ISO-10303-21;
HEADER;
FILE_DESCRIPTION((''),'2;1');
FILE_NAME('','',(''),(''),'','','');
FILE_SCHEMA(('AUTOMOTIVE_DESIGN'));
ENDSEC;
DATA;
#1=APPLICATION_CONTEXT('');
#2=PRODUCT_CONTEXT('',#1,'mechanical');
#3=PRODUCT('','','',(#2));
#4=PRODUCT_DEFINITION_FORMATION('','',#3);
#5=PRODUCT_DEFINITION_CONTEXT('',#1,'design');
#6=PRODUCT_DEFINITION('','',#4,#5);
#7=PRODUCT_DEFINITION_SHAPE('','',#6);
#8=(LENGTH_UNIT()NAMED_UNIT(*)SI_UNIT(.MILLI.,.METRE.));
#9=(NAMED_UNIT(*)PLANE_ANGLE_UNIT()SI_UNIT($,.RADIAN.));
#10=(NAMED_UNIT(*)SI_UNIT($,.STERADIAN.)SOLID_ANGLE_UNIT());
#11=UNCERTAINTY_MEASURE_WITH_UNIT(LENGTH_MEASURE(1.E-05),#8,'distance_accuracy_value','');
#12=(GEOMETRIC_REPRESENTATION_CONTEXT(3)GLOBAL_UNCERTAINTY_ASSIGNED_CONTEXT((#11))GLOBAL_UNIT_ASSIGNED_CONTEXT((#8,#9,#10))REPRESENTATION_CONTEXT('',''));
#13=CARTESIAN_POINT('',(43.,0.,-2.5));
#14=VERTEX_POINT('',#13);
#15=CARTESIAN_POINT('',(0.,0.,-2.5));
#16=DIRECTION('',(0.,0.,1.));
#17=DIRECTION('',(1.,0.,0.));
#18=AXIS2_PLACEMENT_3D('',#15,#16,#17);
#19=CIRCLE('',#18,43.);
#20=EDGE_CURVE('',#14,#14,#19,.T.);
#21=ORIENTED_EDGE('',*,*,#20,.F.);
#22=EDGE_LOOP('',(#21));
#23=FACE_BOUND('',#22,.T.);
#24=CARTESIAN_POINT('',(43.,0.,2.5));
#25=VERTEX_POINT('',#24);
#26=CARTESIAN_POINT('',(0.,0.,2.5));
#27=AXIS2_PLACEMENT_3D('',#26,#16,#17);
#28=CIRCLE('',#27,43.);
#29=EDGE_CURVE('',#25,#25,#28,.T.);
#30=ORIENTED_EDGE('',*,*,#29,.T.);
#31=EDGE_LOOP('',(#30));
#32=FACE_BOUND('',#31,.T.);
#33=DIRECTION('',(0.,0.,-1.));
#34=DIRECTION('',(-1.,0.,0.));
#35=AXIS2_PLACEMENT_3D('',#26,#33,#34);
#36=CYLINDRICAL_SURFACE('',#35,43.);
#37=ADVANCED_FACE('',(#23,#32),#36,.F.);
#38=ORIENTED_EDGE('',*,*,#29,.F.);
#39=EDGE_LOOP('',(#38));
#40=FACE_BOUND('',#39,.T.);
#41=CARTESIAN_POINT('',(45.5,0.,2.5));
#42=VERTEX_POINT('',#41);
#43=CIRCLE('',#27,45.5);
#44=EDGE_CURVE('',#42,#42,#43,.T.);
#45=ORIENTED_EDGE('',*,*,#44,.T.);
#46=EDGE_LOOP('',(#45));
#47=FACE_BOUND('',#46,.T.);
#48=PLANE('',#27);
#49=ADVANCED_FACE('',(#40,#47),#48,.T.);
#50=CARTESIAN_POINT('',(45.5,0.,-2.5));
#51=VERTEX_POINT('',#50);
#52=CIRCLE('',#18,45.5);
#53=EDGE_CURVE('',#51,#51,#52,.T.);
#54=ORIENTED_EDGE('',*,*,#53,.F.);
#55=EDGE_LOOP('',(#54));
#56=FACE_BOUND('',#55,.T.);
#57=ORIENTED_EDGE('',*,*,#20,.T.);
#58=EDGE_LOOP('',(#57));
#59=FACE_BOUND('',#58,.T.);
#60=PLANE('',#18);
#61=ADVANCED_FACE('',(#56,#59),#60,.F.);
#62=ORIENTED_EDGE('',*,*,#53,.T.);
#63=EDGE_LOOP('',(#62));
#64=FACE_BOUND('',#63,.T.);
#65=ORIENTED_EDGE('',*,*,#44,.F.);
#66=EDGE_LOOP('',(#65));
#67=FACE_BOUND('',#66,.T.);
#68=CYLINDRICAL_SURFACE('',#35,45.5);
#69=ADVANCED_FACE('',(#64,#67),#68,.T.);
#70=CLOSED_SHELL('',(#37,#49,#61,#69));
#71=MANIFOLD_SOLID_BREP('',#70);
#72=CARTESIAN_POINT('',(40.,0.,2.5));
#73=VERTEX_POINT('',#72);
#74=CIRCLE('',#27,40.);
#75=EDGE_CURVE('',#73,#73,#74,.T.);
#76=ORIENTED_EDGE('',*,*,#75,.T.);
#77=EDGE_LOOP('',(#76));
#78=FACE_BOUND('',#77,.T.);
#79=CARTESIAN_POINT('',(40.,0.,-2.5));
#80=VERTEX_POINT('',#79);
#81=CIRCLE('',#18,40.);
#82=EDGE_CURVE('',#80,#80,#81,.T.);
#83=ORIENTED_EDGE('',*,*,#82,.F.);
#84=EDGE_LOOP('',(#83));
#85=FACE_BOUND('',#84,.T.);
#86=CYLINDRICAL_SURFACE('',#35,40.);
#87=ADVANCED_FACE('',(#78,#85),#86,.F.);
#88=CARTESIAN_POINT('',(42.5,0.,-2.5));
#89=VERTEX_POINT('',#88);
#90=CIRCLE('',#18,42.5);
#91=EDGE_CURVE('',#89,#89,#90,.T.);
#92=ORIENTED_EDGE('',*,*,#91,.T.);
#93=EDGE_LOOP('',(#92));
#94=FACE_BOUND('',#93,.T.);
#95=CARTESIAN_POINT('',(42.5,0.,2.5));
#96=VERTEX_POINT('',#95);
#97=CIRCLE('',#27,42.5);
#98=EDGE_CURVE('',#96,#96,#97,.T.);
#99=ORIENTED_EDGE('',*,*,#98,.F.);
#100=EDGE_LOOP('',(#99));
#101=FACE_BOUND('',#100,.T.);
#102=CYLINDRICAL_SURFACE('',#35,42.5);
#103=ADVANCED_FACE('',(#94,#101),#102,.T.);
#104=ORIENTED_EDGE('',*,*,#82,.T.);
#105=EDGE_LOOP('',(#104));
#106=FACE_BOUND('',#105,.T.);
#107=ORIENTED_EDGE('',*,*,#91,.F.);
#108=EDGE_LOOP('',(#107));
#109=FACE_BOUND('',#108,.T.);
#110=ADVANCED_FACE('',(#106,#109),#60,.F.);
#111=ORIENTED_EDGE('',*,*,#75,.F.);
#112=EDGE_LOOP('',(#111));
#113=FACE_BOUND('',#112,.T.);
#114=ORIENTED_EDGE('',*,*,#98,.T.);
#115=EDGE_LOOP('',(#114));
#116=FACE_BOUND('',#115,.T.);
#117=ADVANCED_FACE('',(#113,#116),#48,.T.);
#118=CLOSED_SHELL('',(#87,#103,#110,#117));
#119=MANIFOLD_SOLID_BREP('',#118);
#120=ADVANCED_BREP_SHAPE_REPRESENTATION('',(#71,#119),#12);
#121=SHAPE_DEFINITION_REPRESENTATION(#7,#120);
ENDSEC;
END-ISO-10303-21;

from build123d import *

# Parameters (mm, degrees)
SKETCH1_R             = 42.5
SKETCH1_R_2           = 40
BOSS_EXTRUDE1_DEPTH   = 2.5
SKETCH1_R_3           = 45.5
SKETCH1_R_4           = 43
BOSS_EXTRUDE1_2_DEPTH = 2.5


with BuildPart() as part:
    # Sketch1 → Boss-Extrude1 (new, symmetric)
    with BuildSketch(Plane.XY):
        Circle(SKETCH1_R)
        Circle(SKETCH1_R_2, mode=Mode.SUBTRACT)
    extrude(amount=BOSS_EXTRUDE1_DEPTH, both=True)


with BuildPart() as body_2:
    # Sketch1 → Boss-Extrude1 2 (new, symmetric)
    with BuildSketch(Plane.XY):
        Circle(SKETCH1_R_3)
        Circle(SKETCH1_R_4, mode=Mode.SUBTRACT)
    extrude(amount=BOSS_EXTRUDE1_2_DEPTH, both=True)


solid = Compound([part.part, body_2.part])
